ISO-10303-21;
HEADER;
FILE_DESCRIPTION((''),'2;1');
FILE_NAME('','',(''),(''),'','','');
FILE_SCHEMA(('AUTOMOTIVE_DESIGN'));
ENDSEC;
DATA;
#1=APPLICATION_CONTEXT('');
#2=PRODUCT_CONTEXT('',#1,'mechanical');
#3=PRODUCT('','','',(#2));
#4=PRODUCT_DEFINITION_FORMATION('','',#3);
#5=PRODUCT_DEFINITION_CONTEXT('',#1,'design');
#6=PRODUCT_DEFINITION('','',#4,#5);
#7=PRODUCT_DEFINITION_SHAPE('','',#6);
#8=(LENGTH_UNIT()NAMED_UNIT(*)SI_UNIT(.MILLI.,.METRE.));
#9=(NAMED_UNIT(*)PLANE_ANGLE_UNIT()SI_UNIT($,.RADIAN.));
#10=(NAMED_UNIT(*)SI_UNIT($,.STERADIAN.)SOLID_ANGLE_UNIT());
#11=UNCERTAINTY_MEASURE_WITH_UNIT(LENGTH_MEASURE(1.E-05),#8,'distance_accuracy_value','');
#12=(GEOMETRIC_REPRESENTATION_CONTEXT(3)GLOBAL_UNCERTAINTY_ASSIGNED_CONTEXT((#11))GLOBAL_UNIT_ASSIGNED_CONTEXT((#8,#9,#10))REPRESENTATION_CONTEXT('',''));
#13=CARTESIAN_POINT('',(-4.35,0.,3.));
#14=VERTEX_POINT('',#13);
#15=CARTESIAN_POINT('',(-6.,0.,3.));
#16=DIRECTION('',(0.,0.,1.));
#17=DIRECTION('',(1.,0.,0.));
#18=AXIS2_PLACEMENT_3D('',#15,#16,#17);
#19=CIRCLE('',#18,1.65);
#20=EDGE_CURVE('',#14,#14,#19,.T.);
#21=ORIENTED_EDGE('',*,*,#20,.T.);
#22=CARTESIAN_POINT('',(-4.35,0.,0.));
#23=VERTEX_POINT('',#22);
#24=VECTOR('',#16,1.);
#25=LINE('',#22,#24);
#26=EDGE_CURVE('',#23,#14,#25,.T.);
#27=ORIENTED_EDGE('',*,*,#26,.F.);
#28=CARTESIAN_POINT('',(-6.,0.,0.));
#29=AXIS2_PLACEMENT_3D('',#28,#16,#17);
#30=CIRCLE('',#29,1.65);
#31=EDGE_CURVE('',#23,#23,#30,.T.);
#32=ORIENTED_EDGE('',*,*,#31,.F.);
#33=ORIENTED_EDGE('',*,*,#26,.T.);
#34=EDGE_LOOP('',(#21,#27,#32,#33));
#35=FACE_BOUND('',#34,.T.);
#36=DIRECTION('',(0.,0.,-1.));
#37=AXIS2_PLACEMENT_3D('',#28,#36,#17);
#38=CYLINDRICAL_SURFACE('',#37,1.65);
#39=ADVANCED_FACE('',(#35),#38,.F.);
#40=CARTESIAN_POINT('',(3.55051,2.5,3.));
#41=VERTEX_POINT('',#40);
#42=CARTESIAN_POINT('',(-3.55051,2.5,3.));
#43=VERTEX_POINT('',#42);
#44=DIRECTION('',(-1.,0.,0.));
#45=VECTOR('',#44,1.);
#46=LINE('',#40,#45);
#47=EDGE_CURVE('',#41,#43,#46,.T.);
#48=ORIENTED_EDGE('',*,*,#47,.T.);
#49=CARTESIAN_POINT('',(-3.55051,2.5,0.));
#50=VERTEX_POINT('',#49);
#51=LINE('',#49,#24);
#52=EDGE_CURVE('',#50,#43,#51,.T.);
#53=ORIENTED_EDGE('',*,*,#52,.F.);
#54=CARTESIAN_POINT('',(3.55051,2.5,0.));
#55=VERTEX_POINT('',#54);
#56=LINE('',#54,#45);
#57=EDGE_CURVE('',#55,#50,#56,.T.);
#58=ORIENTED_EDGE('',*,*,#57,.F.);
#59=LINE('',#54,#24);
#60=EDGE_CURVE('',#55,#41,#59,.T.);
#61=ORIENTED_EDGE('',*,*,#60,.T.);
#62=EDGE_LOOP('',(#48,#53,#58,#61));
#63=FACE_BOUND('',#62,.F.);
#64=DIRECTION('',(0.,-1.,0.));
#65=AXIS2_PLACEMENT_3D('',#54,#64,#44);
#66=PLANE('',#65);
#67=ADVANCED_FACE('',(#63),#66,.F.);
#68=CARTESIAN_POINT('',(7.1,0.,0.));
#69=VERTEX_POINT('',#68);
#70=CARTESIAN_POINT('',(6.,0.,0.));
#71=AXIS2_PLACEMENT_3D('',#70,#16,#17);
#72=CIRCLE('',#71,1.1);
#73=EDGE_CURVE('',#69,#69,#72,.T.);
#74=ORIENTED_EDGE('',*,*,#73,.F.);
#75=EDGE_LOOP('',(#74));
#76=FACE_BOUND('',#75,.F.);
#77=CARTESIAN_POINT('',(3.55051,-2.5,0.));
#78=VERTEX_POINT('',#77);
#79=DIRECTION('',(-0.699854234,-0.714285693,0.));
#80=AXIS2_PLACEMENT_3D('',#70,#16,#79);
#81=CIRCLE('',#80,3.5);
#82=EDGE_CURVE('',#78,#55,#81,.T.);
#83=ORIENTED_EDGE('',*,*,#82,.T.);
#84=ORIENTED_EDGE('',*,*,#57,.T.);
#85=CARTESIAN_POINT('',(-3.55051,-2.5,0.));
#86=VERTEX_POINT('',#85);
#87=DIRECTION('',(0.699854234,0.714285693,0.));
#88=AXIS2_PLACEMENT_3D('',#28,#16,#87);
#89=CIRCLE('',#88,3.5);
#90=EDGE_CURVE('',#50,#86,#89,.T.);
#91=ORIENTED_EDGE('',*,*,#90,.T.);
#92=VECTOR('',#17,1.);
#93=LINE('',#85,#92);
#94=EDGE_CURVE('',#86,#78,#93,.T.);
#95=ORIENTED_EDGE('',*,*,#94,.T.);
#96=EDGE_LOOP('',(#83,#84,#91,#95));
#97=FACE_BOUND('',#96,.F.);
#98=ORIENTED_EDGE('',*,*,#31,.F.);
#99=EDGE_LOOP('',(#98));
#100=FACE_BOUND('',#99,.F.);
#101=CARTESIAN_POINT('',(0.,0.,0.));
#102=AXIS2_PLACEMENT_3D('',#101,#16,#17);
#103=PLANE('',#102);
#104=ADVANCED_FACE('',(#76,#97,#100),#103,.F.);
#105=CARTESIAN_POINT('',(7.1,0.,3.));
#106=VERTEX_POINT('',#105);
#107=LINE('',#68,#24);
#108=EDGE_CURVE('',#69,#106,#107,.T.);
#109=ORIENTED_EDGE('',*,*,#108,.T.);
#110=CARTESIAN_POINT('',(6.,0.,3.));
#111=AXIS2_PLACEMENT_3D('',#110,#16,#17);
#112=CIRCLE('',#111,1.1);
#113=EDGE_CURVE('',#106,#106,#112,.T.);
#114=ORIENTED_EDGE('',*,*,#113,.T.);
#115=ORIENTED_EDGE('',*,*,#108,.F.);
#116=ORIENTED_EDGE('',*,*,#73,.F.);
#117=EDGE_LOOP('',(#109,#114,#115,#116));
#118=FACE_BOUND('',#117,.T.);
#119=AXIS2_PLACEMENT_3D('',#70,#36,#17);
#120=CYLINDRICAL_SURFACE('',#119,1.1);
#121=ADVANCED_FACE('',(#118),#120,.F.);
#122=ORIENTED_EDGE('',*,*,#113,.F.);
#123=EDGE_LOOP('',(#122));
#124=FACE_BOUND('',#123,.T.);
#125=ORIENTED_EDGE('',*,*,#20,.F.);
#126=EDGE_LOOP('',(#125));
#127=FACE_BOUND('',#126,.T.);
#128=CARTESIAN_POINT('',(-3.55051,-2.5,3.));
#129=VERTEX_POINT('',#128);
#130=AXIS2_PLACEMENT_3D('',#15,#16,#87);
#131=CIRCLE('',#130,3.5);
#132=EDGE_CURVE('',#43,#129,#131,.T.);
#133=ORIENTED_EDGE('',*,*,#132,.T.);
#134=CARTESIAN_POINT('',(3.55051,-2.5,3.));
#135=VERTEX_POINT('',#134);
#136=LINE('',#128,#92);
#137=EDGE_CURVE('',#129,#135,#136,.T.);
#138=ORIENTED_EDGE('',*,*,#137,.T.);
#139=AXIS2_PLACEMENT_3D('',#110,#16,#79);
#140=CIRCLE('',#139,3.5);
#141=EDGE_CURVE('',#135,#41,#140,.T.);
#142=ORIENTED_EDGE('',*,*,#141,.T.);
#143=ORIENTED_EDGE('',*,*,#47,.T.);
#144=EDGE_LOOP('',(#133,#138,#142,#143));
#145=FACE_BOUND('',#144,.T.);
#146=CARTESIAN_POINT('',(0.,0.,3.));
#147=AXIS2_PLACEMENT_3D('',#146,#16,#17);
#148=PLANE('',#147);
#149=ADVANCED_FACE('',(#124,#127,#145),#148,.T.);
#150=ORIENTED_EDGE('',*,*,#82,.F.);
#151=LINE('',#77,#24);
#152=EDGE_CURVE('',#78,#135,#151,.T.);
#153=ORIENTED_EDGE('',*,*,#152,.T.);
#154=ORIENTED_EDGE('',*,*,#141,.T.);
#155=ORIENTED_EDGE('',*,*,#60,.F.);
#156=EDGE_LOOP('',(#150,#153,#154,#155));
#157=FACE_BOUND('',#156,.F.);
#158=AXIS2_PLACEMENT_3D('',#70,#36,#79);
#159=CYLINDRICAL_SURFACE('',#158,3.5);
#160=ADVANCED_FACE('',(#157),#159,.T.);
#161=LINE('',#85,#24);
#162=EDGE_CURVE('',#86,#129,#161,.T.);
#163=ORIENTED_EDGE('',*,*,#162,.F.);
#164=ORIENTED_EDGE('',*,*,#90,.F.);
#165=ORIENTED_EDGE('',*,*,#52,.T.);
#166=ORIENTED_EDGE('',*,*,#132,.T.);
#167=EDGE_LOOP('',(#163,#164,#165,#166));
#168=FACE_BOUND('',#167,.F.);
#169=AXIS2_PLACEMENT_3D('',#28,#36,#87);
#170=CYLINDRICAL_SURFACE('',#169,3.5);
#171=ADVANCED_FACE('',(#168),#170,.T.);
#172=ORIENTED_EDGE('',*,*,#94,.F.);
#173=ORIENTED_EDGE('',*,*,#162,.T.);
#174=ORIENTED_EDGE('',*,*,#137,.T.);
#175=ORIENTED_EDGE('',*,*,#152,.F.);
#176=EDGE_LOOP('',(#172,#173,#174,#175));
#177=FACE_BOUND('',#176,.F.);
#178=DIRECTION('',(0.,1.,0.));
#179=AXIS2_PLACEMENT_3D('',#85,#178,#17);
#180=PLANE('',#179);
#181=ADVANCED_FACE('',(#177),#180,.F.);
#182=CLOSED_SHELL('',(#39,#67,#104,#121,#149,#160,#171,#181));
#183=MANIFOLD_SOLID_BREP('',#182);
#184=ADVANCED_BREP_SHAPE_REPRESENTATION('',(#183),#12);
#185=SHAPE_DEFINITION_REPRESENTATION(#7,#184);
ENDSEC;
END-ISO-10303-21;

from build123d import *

# Parameters (mm, degrees)
F0_R     = 1.65
F0_R_2   = 1.1
F1_DEPTH = 3


with BuildPart() as f1:
    # F0 (on Top) → F1 (new body)
    with BuildSketch(Plane.XY):
        with BuildLine():
            Line((3.55051, 2.5), (-3.55051, 2.5))
            ThreePointArc((-3.55051, 2.5), (-9.5, 0), (-3.55051, -2.5))
            Line((-3.55051, -2.5), (3.55051, -2.5))
            ThreePointArc((3.55051, -2.5), (9.5, 0), (3.55051, 2.5))
        make_face()
        with Locations((-6, 0)):
            Circle(F0_R, mode=Mode.SUBTRACT)
        with Locations((6, 0)):
            Circle(F0_R_2, mode=Mode.SUBTRACT)
    extrude(amount=F1_DEPTH)


solid = f1.part
